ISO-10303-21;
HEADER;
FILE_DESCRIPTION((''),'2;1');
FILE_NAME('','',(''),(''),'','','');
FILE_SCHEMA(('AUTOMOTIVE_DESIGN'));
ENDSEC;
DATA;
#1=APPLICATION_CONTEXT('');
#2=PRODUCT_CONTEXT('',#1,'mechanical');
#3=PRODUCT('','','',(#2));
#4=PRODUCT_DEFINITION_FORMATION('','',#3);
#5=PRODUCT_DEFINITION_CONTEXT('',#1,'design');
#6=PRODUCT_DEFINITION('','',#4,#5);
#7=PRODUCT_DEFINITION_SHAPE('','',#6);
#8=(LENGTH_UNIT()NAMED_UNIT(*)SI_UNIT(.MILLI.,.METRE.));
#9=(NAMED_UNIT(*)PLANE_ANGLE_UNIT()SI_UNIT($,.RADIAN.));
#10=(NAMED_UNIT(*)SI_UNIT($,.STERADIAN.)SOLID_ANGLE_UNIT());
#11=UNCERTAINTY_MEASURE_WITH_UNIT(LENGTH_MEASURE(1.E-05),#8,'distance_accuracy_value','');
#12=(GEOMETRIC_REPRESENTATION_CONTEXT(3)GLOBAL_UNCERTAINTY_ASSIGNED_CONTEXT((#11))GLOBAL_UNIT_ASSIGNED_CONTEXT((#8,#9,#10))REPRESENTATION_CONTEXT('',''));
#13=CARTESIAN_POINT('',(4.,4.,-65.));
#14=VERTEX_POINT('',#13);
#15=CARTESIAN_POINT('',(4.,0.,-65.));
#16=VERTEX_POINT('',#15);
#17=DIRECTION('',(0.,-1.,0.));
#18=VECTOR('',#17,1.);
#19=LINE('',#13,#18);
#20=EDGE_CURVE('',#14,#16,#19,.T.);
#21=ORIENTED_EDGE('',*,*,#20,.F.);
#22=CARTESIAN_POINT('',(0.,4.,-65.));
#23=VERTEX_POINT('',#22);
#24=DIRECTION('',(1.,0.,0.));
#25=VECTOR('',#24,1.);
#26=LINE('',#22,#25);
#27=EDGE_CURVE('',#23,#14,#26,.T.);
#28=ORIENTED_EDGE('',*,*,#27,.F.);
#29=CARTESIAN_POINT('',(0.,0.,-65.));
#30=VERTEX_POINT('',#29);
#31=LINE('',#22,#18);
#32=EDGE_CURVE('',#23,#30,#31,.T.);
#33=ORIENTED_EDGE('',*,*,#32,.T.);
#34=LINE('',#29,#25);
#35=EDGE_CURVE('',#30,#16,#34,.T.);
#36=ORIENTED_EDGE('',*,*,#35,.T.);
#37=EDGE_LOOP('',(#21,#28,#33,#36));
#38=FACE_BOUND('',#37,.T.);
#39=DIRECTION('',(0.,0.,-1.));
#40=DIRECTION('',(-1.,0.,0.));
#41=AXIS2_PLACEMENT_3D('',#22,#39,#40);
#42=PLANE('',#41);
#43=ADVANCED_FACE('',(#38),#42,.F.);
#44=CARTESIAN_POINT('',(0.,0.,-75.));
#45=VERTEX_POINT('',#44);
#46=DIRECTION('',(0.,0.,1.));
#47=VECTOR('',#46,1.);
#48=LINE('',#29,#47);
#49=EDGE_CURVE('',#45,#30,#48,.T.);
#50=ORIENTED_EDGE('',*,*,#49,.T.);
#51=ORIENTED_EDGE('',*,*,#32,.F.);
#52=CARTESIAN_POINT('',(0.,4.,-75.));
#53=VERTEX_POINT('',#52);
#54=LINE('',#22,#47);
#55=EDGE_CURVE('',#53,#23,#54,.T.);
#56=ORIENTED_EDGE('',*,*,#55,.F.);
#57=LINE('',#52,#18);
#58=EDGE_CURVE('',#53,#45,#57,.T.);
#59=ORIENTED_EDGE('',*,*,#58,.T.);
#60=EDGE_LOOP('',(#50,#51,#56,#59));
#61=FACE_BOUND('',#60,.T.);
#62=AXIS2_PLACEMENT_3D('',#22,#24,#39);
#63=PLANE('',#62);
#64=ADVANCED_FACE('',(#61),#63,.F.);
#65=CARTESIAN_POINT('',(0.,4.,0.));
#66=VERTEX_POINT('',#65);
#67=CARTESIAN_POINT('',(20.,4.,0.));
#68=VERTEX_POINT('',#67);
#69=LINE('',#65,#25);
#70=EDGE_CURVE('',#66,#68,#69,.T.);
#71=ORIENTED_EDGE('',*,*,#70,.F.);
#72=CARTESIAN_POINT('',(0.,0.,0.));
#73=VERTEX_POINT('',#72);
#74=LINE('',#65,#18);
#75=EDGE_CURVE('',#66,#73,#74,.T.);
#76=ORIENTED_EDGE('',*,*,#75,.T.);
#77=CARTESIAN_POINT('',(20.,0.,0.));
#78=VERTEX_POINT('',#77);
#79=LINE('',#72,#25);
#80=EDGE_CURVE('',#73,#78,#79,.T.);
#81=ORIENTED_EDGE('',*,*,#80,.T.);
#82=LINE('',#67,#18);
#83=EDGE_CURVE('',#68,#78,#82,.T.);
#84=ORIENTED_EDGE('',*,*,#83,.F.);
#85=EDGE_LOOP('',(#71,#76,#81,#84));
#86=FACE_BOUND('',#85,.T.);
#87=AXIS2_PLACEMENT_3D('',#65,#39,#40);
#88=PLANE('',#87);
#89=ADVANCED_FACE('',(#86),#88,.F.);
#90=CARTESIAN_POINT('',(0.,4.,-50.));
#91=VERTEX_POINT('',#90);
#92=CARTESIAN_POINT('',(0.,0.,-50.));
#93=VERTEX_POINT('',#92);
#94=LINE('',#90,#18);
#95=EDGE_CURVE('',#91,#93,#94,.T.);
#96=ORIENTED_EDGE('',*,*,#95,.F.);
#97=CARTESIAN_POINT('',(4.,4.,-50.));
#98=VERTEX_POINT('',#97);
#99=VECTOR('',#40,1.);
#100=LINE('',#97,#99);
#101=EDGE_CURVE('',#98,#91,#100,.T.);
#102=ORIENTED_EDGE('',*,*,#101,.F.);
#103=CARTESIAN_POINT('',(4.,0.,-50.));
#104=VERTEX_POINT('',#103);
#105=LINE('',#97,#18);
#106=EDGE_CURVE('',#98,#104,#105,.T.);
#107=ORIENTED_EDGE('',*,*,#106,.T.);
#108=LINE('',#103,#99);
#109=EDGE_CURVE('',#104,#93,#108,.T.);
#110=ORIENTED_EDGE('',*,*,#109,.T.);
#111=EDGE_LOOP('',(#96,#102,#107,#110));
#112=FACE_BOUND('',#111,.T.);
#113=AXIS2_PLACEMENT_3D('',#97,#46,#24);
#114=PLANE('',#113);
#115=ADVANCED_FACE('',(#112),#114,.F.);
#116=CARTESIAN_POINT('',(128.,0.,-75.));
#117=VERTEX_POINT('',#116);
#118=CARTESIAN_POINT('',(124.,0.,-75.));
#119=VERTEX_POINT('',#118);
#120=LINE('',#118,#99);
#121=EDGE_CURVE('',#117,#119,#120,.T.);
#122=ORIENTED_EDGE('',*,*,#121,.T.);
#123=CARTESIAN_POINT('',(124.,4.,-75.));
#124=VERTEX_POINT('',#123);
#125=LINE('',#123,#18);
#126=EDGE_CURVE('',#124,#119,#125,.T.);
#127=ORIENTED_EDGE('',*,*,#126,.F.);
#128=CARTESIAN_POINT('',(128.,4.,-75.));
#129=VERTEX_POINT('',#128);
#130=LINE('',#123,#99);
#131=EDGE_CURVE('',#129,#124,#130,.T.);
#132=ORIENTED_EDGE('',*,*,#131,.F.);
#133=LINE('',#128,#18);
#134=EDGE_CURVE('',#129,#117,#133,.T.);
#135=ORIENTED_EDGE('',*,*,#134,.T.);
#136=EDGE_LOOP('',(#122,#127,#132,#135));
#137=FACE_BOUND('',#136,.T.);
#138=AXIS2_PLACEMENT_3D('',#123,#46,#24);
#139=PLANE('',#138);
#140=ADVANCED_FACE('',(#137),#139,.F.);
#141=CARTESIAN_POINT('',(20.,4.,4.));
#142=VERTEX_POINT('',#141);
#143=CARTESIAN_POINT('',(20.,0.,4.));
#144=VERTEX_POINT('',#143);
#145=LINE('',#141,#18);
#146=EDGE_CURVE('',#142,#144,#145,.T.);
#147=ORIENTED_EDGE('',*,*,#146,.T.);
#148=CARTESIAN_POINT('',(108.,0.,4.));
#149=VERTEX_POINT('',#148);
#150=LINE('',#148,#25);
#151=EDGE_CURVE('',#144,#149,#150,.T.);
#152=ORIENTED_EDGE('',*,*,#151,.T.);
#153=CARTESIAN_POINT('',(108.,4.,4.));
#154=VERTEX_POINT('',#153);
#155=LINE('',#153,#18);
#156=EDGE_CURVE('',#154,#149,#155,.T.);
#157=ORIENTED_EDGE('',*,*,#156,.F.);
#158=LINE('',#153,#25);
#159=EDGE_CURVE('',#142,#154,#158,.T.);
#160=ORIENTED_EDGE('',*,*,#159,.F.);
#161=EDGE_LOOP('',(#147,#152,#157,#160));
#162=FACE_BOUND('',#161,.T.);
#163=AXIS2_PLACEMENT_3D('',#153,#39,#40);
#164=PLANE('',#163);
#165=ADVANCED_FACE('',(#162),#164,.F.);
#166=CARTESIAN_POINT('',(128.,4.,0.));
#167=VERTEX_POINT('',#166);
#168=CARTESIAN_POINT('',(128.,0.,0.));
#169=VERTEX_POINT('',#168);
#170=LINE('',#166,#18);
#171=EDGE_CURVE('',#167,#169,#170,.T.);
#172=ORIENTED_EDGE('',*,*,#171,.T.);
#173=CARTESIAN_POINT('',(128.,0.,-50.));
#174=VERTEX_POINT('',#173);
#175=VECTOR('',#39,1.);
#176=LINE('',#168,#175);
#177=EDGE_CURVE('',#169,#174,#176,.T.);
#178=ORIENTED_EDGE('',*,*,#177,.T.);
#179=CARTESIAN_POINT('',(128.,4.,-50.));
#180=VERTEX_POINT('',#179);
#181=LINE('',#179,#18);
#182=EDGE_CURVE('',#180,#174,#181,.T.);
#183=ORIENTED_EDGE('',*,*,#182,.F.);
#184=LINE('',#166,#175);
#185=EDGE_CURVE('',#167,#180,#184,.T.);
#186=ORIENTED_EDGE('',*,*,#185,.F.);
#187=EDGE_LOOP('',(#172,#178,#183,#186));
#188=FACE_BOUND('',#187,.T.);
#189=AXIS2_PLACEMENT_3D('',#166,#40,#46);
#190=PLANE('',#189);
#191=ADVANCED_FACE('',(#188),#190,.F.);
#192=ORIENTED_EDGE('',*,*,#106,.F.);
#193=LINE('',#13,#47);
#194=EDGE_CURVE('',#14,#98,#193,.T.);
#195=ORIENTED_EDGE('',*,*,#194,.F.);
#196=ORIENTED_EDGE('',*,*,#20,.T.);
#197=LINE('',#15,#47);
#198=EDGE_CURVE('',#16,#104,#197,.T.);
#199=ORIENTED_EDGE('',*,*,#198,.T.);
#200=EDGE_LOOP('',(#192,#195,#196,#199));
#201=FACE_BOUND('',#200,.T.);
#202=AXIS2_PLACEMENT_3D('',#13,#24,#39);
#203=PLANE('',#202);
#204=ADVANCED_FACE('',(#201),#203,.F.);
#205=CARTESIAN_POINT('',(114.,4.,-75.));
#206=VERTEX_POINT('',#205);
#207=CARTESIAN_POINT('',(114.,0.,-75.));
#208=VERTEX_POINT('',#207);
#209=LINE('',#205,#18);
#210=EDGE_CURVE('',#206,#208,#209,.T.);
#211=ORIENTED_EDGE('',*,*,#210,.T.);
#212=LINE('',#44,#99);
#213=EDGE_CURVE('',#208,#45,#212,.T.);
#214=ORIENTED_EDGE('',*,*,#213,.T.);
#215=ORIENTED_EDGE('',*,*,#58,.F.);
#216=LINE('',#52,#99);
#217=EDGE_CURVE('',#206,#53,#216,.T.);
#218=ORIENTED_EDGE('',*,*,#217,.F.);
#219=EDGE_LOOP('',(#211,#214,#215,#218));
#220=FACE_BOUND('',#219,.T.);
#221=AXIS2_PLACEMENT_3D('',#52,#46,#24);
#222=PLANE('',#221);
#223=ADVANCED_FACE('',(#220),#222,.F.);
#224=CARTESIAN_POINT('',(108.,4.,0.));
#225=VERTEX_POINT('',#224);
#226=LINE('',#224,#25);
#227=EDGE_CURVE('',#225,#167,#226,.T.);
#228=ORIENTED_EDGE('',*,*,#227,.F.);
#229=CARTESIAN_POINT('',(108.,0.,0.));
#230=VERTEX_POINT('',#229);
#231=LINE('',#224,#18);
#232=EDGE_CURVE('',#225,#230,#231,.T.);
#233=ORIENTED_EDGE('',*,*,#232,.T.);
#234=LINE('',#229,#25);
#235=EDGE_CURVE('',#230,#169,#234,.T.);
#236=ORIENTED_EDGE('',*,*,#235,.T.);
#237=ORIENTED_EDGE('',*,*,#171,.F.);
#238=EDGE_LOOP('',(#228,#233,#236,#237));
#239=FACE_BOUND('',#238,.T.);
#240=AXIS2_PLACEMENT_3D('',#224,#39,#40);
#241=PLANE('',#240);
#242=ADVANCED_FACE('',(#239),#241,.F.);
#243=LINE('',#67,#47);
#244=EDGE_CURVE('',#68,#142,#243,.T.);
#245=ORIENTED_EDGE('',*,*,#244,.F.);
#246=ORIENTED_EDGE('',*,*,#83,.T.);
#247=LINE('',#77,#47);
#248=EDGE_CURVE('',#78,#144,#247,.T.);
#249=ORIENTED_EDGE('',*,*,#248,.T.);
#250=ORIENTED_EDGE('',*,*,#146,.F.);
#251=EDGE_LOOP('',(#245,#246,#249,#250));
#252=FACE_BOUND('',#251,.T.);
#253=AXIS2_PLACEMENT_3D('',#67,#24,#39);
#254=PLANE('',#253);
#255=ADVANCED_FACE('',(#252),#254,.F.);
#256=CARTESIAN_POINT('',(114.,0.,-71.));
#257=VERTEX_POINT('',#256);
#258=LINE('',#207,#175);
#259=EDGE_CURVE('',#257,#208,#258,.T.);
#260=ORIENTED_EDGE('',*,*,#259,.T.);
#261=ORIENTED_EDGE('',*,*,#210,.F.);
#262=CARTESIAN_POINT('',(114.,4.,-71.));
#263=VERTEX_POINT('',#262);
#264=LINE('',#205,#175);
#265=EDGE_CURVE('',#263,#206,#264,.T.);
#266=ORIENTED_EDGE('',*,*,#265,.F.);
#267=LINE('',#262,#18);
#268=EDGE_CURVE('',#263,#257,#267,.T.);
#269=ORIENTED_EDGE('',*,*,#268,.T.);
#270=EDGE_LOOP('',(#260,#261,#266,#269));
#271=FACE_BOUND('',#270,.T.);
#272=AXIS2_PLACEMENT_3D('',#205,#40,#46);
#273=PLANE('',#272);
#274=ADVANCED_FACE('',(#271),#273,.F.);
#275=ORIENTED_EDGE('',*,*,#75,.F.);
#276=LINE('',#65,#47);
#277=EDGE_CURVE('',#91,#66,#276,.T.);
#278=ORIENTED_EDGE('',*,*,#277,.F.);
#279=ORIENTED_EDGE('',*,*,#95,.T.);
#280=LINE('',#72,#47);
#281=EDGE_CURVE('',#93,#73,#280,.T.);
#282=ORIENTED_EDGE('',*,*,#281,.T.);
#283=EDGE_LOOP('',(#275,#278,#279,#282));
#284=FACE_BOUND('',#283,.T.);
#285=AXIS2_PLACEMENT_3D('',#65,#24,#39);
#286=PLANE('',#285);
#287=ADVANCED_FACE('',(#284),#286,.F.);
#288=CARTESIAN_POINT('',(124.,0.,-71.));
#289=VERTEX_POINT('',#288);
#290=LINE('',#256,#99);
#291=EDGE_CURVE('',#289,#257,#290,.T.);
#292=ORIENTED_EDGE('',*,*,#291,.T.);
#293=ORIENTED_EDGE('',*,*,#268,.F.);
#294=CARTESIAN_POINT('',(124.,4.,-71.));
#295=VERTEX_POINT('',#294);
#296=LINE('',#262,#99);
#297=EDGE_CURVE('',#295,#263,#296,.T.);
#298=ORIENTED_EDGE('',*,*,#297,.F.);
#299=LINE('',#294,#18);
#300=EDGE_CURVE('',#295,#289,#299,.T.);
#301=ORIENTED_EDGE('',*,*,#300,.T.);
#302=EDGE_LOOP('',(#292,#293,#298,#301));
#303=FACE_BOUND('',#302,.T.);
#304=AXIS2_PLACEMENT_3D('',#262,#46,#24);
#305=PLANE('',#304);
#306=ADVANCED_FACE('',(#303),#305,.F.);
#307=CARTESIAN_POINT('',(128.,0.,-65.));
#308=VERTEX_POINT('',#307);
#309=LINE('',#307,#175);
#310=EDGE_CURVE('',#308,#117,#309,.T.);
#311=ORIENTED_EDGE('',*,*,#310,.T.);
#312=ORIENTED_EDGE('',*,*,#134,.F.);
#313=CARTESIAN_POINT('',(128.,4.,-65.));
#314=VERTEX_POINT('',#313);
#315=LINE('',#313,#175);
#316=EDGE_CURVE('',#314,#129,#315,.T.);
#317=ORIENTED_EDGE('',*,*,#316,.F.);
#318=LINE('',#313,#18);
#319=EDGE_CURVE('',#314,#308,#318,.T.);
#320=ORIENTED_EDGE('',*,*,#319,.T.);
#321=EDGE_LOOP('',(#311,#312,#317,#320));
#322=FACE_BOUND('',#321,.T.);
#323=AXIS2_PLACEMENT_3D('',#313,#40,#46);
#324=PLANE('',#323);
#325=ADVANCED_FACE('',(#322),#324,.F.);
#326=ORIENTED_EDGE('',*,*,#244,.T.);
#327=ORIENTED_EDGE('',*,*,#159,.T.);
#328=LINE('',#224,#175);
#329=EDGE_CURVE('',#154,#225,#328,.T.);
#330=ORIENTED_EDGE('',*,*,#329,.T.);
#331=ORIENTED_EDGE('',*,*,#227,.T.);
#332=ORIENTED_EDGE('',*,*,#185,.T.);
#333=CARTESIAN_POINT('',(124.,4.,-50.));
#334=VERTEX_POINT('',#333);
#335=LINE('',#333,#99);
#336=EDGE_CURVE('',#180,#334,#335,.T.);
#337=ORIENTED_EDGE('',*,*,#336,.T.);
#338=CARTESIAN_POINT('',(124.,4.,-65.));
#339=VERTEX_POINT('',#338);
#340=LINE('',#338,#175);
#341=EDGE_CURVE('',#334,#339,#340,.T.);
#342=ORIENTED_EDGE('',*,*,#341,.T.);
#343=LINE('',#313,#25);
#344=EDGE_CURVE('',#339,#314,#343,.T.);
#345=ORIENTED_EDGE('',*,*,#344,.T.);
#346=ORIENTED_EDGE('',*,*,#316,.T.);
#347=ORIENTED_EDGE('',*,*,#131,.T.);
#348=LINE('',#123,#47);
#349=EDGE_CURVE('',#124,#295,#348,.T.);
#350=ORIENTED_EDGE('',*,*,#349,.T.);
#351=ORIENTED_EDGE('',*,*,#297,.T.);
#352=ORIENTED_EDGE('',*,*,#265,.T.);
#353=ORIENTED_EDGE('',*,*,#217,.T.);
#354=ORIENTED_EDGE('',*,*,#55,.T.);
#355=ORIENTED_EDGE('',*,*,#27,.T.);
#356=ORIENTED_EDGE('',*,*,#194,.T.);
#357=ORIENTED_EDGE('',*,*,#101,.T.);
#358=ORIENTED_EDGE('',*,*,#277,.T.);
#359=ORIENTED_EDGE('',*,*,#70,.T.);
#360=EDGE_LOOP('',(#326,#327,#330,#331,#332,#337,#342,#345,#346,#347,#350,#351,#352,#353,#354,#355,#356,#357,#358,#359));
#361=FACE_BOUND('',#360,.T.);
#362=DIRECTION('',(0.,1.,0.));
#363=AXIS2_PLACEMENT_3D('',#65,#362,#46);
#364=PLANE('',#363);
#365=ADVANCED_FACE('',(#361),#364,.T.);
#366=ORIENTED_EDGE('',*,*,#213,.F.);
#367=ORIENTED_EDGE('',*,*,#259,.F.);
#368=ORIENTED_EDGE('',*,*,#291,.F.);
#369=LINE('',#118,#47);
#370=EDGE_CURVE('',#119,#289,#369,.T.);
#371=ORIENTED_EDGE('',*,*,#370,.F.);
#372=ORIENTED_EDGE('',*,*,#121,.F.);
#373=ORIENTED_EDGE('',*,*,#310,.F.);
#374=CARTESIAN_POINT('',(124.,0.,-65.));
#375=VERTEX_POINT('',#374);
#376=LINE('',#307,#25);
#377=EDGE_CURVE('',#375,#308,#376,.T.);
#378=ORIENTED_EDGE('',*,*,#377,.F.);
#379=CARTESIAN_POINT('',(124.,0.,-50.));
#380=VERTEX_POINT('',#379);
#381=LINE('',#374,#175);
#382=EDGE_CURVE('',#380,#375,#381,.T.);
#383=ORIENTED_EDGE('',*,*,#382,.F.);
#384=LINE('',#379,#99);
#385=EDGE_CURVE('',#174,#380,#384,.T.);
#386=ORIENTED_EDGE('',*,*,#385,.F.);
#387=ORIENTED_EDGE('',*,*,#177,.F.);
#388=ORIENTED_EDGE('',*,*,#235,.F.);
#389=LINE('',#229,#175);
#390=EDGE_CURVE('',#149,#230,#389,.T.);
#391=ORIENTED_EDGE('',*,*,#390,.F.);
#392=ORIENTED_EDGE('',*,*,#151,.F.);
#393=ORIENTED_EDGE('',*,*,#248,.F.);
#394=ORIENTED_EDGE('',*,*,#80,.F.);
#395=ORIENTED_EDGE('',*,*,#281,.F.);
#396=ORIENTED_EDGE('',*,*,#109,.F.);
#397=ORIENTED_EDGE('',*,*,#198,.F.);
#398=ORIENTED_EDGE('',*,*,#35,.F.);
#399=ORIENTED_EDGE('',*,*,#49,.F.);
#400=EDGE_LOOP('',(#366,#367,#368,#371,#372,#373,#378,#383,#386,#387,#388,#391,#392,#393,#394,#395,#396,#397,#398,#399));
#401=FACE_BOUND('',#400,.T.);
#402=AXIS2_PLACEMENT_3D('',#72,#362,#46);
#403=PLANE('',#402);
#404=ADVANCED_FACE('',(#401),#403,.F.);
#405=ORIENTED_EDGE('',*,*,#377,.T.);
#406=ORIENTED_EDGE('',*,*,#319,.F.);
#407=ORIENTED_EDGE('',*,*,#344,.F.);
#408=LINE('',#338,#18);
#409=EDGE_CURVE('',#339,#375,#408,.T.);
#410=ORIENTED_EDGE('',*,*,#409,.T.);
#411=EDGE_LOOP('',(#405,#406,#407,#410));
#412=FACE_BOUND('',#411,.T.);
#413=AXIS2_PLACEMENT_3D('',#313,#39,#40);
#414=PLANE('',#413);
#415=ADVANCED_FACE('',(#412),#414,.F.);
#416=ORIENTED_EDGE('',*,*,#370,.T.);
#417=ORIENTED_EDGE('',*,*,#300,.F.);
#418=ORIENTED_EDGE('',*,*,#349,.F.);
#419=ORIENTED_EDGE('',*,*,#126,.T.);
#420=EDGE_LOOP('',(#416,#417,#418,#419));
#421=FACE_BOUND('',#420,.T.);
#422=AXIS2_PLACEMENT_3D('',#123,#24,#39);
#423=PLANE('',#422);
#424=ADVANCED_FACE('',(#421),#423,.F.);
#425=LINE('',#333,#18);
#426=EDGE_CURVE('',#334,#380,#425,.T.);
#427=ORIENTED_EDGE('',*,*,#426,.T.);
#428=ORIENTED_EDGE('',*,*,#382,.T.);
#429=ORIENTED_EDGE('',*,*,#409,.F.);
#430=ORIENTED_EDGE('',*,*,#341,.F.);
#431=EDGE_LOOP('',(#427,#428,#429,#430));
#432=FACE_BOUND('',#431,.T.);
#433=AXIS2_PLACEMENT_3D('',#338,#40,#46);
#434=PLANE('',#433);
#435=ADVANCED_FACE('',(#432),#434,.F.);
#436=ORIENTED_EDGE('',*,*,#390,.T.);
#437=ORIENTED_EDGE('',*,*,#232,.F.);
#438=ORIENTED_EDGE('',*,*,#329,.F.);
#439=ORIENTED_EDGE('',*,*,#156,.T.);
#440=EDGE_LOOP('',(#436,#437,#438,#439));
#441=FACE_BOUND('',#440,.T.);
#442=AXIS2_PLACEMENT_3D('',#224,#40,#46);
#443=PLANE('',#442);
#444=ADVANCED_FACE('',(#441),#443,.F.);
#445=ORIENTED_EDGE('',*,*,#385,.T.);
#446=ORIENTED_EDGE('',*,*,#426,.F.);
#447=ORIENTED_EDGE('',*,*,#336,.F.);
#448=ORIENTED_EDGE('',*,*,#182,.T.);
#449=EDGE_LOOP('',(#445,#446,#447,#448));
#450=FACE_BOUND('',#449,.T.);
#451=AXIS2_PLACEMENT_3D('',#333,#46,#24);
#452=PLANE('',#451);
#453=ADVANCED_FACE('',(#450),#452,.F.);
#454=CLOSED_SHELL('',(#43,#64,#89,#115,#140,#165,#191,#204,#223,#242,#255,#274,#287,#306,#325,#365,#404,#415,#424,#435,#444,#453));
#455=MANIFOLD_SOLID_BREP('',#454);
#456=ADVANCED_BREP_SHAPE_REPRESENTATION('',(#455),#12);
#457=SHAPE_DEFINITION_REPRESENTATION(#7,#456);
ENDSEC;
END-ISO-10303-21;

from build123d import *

# Parameters (mm, degrees)
BOSS_EXTRUDE1_DEPTH = 4


with BuildPart() as part:
    # Sketch1 → Boss-Extrude1 (new body)
    with BuildSketch(Plane(origin=(0, 0, 0), x_dir=(1, 0, 0), z_dir=(0, 1, 0))):
        Polygon((0, 65), (4, 65), (4, 50), (0, 50), (0, 0), (20, 0), (20, -4), (108, -4), (108, 0), (128, 0), (128, 50), (124, 50), (124, 65), (128, 65), (128, 75), (124, 75), (124, 71), (114, 71), (114, 75), (0, 75), align=None)
    extrude(amount=BOSS_EXTRUDE1_DEPTH)


solid = part.part
